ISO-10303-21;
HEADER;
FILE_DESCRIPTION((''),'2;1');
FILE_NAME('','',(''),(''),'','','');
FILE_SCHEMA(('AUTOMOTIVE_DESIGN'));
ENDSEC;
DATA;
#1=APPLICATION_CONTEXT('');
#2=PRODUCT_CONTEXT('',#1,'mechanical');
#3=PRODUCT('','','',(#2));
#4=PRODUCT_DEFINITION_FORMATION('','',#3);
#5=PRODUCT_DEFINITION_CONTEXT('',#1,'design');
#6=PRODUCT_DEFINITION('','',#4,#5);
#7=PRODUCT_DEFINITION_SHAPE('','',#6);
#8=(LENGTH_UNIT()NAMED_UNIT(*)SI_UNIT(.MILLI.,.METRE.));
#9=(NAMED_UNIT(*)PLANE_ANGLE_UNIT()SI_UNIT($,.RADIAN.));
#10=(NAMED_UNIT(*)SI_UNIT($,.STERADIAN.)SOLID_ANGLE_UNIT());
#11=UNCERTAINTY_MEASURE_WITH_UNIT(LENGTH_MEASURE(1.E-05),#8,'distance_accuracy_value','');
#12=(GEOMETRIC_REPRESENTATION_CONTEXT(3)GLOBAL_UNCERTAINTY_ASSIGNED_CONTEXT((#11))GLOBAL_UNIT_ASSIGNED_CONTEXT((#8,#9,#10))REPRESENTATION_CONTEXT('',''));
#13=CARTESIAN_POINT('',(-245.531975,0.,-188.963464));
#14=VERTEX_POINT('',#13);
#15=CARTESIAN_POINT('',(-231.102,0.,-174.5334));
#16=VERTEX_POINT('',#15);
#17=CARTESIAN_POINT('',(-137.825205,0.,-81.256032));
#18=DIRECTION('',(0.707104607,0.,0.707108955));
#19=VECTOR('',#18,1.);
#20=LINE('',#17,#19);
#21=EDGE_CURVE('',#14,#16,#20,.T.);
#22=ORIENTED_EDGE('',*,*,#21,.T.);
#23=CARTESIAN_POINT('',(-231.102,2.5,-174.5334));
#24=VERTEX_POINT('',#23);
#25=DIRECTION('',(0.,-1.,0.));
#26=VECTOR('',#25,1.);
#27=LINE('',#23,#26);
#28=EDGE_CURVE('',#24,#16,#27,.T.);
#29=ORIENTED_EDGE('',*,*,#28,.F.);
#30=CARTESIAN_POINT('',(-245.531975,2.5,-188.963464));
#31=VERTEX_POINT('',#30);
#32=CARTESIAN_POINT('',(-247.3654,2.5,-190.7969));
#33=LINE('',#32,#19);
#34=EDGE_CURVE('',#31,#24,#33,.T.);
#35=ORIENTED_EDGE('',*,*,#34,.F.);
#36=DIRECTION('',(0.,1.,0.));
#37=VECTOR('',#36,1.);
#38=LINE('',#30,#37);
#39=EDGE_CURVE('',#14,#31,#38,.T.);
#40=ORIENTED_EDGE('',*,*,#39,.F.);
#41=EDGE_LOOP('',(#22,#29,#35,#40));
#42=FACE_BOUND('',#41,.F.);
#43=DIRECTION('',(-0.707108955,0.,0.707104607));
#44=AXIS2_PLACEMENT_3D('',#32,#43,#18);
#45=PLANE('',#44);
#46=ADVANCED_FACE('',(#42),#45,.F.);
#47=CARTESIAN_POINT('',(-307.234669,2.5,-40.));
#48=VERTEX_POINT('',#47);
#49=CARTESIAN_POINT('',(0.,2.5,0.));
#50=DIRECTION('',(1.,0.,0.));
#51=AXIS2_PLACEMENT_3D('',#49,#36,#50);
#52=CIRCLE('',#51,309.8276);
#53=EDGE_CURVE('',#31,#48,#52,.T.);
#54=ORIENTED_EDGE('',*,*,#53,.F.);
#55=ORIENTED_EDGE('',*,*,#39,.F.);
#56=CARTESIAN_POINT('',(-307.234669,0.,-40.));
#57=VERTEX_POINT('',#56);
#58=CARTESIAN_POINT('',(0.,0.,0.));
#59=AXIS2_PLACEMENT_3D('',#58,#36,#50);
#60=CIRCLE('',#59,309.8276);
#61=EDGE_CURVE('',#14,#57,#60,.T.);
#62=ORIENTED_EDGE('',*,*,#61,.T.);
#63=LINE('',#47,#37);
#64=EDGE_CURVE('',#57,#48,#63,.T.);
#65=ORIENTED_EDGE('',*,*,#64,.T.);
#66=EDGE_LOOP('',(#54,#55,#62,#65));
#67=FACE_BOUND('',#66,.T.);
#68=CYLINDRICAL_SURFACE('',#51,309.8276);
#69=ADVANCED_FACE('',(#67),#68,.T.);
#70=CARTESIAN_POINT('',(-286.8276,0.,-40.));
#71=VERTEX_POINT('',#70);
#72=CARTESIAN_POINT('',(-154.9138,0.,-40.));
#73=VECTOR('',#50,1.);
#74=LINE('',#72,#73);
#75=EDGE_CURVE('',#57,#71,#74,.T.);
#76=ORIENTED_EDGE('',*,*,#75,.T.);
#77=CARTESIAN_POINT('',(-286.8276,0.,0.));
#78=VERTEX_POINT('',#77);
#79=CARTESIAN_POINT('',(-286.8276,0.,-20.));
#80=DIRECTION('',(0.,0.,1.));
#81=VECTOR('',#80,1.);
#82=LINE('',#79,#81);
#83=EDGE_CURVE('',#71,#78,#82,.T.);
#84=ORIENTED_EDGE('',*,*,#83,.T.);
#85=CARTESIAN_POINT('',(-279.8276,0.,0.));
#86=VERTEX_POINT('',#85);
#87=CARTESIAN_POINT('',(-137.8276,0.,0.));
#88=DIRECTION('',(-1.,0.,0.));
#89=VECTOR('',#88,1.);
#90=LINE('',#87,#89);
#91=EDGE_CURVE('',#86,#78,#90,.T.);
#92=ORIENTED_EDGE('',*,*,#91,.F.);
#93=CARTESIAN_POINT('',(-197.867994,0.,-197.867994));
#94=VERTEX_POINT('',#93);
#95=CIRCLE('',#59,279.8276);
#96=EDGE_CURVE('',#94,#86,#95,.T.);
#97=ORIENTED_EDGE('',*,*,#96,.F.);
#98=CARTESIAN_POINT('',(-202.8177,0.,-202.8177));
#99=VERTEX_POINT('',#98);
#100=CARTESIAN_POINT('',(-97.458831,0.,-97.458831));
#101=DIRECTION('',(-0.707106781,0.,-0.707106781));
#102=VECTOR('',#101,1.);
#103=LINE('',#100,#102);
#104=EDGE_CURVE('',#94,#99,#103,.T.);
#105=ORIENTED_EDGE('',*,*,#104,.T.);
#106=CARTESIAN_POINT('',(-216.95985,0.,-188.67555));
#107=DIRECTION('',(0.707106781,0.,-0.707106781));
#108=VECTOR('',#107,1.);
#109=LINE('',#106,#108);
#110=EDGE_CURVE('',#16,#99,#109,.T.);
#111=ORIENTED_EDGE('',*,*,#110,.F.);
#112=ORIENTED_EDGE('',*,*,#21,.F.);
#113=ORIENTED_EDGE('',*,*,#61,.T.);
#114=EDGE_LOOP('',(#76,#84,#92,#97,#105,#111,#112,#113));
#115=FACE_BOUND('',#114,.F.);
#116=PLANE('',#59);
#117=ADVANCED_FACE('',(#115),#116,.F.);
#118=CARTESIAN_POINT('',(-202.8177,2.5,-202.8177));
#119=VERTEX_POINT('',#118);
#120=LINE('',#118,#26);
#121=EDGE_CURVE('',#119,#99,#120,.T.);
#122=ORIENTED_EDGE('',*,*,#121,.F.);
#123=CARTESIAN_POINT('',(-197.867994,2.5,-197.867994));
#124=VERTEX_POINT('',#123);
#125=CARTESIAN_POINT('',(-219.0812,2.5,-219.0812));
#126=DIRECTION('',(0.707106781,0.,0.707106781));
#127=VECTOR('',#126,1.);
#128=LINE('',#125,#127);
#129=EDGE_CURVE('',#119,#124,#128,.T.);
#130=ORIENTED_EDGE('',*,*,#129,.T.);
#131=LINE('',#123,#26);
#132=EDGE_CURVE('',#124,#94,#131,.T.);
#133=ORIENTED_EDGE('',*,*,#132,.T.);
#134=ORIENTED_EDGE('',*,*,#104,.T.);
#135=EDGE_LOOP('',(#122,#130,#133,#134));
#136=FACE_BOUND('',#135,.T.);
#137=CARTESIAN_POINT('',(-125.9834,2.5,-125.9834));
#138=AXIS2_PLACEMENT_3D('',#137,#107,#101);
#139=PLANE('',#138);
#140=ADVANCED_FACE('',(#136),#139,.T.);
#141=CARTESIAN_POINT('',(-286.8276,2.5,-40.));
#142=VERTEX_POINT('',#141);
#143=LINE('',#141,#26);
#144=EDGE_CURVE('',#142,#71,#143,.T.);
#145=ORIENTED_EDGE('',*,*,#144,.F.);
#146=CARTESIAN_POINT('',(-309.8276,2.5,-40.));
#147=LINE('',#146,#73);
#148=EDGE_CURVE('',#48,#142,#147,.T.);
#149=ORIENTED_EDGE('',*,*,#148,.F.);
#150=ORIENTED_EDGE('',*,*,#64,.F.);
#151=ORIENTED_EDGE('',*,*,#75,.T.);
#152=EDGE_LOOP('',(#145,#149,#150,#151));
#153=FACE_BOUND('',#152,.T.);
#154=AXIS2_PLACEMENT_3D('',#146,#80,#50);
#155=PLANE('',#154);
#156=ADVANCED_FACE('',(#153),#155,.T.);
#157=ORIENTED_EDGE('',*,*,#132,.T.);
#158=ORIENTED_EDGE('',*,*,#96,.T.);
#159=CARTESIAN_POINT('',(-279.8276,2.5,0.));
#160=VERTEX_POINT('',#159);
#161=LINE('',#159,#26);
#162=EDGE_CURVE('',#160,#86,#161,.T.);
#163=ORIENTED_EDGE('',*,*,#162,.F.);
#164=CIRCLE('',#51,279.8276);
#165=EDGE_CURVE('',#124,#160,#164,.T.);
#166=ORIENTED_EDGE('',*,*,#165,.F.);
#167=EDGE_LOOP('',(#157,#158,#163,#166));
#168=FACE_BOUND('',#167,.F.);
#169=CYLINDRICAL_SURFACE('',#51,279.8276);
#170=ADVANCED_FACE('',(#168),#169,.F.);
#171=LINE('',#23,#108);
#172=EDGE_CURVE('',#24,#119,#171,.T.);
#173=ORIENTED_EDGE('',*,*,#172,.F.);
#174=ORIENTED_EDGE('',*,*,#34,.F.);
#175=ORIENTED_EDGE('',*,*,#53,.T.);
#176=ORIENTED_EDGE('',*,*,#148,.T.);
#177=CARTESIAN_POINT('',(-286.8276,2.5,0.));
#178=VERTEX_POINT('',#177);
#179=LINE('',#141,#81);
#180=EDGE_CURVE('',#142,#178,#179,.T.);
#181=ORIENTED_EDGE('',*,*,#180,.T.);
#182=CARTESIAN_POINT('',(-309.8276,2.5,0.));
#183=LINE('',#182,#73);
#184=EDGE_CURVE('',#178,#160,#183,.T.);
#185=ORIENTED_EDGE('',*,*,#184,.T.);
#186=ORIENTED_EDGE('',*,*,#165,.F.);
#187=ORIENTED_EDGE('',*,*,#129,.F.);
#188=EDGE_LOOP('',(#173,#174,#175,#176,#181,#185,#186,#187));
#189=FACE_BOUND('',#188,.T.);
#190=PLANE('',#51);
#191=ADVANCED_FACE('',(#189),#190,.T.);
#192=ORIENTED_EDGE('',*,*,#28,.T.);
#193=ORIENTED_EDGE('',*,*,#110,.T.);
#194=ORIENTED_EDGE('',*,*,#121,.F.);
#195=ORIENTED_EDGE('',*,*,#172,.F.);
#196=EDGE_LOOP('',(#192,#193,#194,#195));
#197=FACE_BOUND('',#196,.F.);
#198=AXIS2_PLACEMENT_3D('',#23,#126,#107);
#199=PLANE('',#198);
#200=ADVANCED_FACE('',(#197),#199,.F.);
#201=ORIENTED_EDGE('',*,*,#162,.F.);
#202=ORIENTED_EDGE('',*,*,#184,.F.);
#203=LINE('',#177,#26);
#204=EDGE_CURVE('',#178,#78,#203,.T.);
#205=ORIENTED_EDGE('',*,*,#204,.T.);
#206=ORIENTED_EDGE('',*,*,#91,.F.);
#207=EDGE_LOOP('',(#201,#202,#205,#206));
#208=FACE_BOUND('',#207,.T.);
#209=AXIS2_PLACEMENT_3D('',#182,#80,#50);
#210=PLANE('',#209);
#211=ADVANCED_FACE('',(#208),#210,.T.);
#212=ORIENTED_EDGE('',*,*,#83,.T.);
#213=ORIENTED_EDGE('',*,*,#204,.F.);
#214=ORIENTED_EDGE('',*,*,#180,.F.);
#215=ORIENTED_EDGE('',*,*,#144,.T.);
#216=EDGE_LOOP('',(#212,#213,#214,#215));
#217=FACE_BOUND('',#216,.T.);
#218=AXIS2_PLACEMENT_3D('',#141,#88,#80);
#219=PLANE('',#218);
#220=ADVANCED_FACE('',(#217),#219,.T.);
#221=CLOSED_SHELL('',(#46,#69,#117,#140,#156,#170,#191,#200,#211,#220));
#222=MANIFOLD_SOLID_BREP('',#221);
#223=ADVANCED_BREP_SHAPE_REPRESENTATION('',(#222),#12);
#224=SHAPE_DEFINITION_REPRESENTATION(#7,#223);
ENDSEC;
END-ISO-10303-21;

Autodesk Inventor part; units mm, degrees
ref_plane "YZ Plane" through (0, 0, 0) normal (1, 0, 0) x (0, 1, 0)
ref_plane "XZ Plane" through (0, 0, 0) normal (0, 1, 0) x (-1, 0, 0)
ref_plane "XY Plane" through (0, 0, 0) normal (0, 0, 1) x (1, 0, 0)
sketch "スケッチ1" plane through (0, 0, 0) normal (0, 1, 0) x (-1, 0, 0)
  circle A0 centre (0, 0) radius 178.1675
  circle A1 centre (0, 0) radius 157.8276
  line L0 (168.1877, 0) -> (166.7488, -21.9529)
  line L1 (168.1877, 0) -> (130.1721, 2.4917) construction
  line L2 (249.4344, 0) -> (-249.4344, 0) projected
  line L3 (166.7488, -21.9529) -> (156.7702, -21.2989)
  line L4 (156.7702, -21.2989) -> (158.2091, 0.654) construction
  line L5 (158.2091, 0.654) -> (168.1877, 0)
  line L6 (157.4896, -10.3224) -> (0, 0)
  line L7 (166.7488, -21.9529) -> (162.4568, -43.5302)
  line L8 (162.4568, -43.5302) -> (152.649, -41.5793) construction
  line L9 (152.649, -41.5793) -> (156.9409, -20.002) construction
  line L10 (156.9409, -20.002) -> (166.7488, -21.9529) construction
  line L11 (162.4568, -43.5302) -> (155.3851, -64.3626)
  line L12 (155.3851, -64.3626) -> (145.9158, -61.1482) construction
  line L13 (145.9158, -61.1482) -> (152.9875, -40.3158) construction
  line L14 (152.9875, -40.3158) -> (162.4568, -43.5302) construction
  line L15 (155.3851, -64.3626) -> (145.6548, -84.0938)
  line L16 (145.6548, -84.0938) -> (136.6861, -79.6709) construction
  line L17 (136.6861, -79.6709) -> (146.4164, -59.9397) construction
  line L18 (146.4164, -59.9397) -> (155.3851, -64.3626) construction
  line L19 (0, 0) -> (111.6009, -111.6009)
  line L20 (145.6548, -84.0938) -> (137.3401, -78.5381) construction
  line L21 (137.3401, -78.5381) -> (125.1176, -96.8305) construction
  line L22 (125.1176, -96.8305) -> (133.4323, -102.3862) construction
  line L23 (133.4323, -102.3862) -> (145.6548, -84.0938)
  line L24 (133.4323, -102.3862) -> (125.9139, -95.7927) construction
  line L25 (125.9139, -95.7927) -> (111.4082, -112.3332) construction
  line L26 (111.4082, -112.3332) -> (118.9266, -118.9266)
  line L27 (118.9266, -118.9266) -> (133.4323, -102.3862)
  line L28 (111.6009, -111.6009) -> (118.9266, -118.9266)
  line L29 (166.7488, -21.9529) -> (176.7274, -22.6069) construction
  line L30 (118.9266, -118.9266) -> (125.9834, -125.9834)
  point P0 (154.795, -30.7906)
  point P1 (149.4517, -50.732)
  point P2 (141.5512, -69.8053)
  point P3 (131.2288, -87.6843)
  point P4 (118.661, -104.0629)
  point P5 (157.8276, 0)
  point P6 (178.1675, 0)
  dimension "d0" = 22
  dimension "d1" = 10
  dimension "d2" = 45
  dimension "d4" = 315.6551
extrude "押し出し1" add sketch "スケッチ1" along normal blind 2.5 contours L30 L27 L23 L15 L11 L7 L0 L2 A0 | L28 A1 L2 L0 L7 L11 L15 L23 L27
sketch "スケッチ2" plane through (0, 2.5, 0) normal (0, 1, 0) x (1, 0, 0)
  circle A0 centre (0, 0) radius 309.8276
  line L0 (-168.1877, 0) -> (-166.7488, 21.9529) projected
  line L1 (-166.7488, 21.9529) -> (-162.4568, 43.5302) projected
  line L2 (-162.4568, 43.5302) -> (-155.3851, 64.3626) projected
  line L3 (-155.3851, 64.3626) -> (-145.6548, 84.0938) projected
  line L4 (-133.4323, 102.3862) -> (-145.6548, 84.0938) projected
  line L5 (-118.9266, 118.9266) -> (-133.4323, 102.3862) projected
  line L6 (-167.4682, 10.9764) -> (-166.0294, 32.9293)
  line L7 (-166.0294, 32.9293) -> (-275.7938, 40.1237)
  line L8 (-275.7938, 40.1237) -> (-277.2327, 18.1708)
  line L9 (-277.2327, 18.1708) -> (-167.4682, 10.9764)
  line L10 (-164.6028, 32.7415) -> (-160.3108, 54.3188)
  line L11 (-160.3108, 54.3188) -> (-268.1972, 75.7787)
  line L12 (-268.1972, 75.7787) -> (-272.4892, 54.2015)
  line L13 (-272.4892, 54.2015) -> (-164.6028, 32.7415)
  circle A1 centre (-166.7488, 21.9529) radius 11
  circle A2 centre (-162.4568, 43.5302) radius 11
  line L14 (-158.921, 53.9464) -> (-151.8493, 74.7789)
  line L15 (-151.8493, 74.7789) -> (-256.0116, 110.1372)
  line L16 (-256.0116, 110.1372) -> (-263.0833, 89.3047)
  line L17 (-263.0833, 89.3047) -> (-158.921, 53.9464)
  circle A3 centre (-155.3851, 64.3626) radius 11
  arc A4 (-275.7591, 62.4834) -> (-281.3553, 41.7349) centre (-166.7488, 21.9529) ccw
  line L18 (-178.1663, 0.654) -> (-158.2091, -0.654)
  line L19 (-158.2091, -0.654) -> (-156.7702, 21.2989)
  line L20 (-156.7702, 21.2989) -> (-176.7274, 22.6069)
  line L21 (-176.7274, 22.6069) -> (-178.1663, 0.654)
  line L22 (-177.4468, 11.6305) -> (-275.7938, 40.1237)
  line L23 (-176.7274, 22.6069) -> (-176.008, 33.5834)
  line L24 (-176.008, 33.5834) -> (-275.7591, 62.4834)
  line L25 (-275.7938, 40.1237) -> (-281.3553, 41.7349)
  circle A5 centre (0, 0) radius 137.8276
  line L26 (0, 0) -> (-219.0812, 219.0812)
  line L27 (-111.6009, 111.6009) -> (-125.9834, 125.9834) projected
  line L28 (-433.7586, 0) -> (433.7586, 0) projected
  circle A6 centre (0, 0) radius 279.8276 construction
  arc A7 (-111.6009, 111.6009) -> (-157.8276, 0) centre (0, 0) ccw projected
  point P0 (-158.1662, 0)
  point P1 (-137.8276, 0)
  point P2 (-97.4588, 97.4588)
  point P3 (-309.8276, 0)
  dimension "d7" = 22
  dimension "d10" = 20
  dimension "d11" = 100
  dimension "d12" = 30
  dimension "d14" = 20
  dimension "d17" = 122
extrude "押し出し2" add sketch "スケッチ2" against normal blind 2.5 contours L26 L5 L4 L3 A3 L15 L16 L17 A2 L11 L12 L24 A4 L25 L8 L9 L21 L18 L28 A0 | L18 L21 L9 L0 | L0 A1 L19 L28 | A5 L28 A7 A1 A2 A3 L26 | L26 A7 A3 L3 L4 L5 | A1 L21 L20 L0 | L9 L21 A1 | L0 L20 L19 A1 | L19 A7 L28 | L6 A1 L1 | L20 L23 A1 L6 | L1 A1 A7 L19 L20 | L22 L7 L23 A1 L21 | L9 L8 L22 | A1 L23 L21 | A1 A7 L19 | A7 A3 L2 L3 | A3 A7 | A2 L10 L1 | A1 L7 L24 L13 | A2 A7 A1 | L13 L24 L12 L11 A2 | L1 L2 A2 A7 | A1 L23 L7 | L25 A4 L24 L12 L13 L7 | A7 A1 | A7 A2 A3 | L3 L14 A3 | L10 A2 L2 | L13 L12 L24 | A7 A2 | A3 L14 L2 | L17 L16 L15 A3
sketch "スケッチ3" plane through (0, 2.5, 0) normal (0, 1, 0) x (1, 0, 0)
  circle A0 centre (0, 0) radius 279.8276
  arc A1 (-97.4588, 97.4588) -> (-137.8276, 0) centre (0, 0) ccw projected
  line L0 (-97.4588, 97.4588) -> (-219.0812, 219.0812) projected
  line L1 (-309.8276, 0) -> (-137.8276, 0) projected
  arc A2 (-219.0812, 219.0812) -> (-309.8276, 0) centre (0, 0) ccw projected
  point P0 (-279.8276, 0)
  point P1 (-197.868, 197.868)
  dimension "d21" = 30
extrude "押し出し3" cut sketch "スケッチ3" against normal through all contours L0 A1 L1 A0 picked at (-201.5408, 115.5258)
sketch "スケッチ4" plane through (0, 2.5, 0) normal (0, 1, 0) x (1, 0, 0)
  line L0 (-279.8276, 0) -> (-309.8276, 0) projected
  line L1 (-286.8276, 0) -> (-309.8276, 0)
  line L2 (-309.8276, 0) -> (-309.8276, 40)
  line L3 (-309.8276, 40) -> (-286.8276, 40)
  line L4 (-286.8276, 40) -> (-286.8276, 0)
  line L5 (0, 0) -> (-232.1993, 96.1801) construction
  line L6 (-371.7931, 0) -> (61.9655, 0) projected
  line L7 (-197.868, 197.868) -> (-219.0812, 219.0812)
  line L8 (-202.8177, 202.8177) -> (-219.0812, 219.0812)
  line L9 (-219.0812, 219.0812) -> (-247.3654, 190.7969)
  line L10 (-247.3654, 190.7969) -> (-231.102, 174.5334)
  line L11 (-231.102, 174.5334) -> (-202.8177, 202.8177)
  dimension "d22" = 23
  dimension "d23" = 40
  dimension "d26" = 22.5
extrude "押し出し4" cut sketch "スケッチ4" against normal through all
properties part number "front_upper" material "木材 (カエデ材)"
